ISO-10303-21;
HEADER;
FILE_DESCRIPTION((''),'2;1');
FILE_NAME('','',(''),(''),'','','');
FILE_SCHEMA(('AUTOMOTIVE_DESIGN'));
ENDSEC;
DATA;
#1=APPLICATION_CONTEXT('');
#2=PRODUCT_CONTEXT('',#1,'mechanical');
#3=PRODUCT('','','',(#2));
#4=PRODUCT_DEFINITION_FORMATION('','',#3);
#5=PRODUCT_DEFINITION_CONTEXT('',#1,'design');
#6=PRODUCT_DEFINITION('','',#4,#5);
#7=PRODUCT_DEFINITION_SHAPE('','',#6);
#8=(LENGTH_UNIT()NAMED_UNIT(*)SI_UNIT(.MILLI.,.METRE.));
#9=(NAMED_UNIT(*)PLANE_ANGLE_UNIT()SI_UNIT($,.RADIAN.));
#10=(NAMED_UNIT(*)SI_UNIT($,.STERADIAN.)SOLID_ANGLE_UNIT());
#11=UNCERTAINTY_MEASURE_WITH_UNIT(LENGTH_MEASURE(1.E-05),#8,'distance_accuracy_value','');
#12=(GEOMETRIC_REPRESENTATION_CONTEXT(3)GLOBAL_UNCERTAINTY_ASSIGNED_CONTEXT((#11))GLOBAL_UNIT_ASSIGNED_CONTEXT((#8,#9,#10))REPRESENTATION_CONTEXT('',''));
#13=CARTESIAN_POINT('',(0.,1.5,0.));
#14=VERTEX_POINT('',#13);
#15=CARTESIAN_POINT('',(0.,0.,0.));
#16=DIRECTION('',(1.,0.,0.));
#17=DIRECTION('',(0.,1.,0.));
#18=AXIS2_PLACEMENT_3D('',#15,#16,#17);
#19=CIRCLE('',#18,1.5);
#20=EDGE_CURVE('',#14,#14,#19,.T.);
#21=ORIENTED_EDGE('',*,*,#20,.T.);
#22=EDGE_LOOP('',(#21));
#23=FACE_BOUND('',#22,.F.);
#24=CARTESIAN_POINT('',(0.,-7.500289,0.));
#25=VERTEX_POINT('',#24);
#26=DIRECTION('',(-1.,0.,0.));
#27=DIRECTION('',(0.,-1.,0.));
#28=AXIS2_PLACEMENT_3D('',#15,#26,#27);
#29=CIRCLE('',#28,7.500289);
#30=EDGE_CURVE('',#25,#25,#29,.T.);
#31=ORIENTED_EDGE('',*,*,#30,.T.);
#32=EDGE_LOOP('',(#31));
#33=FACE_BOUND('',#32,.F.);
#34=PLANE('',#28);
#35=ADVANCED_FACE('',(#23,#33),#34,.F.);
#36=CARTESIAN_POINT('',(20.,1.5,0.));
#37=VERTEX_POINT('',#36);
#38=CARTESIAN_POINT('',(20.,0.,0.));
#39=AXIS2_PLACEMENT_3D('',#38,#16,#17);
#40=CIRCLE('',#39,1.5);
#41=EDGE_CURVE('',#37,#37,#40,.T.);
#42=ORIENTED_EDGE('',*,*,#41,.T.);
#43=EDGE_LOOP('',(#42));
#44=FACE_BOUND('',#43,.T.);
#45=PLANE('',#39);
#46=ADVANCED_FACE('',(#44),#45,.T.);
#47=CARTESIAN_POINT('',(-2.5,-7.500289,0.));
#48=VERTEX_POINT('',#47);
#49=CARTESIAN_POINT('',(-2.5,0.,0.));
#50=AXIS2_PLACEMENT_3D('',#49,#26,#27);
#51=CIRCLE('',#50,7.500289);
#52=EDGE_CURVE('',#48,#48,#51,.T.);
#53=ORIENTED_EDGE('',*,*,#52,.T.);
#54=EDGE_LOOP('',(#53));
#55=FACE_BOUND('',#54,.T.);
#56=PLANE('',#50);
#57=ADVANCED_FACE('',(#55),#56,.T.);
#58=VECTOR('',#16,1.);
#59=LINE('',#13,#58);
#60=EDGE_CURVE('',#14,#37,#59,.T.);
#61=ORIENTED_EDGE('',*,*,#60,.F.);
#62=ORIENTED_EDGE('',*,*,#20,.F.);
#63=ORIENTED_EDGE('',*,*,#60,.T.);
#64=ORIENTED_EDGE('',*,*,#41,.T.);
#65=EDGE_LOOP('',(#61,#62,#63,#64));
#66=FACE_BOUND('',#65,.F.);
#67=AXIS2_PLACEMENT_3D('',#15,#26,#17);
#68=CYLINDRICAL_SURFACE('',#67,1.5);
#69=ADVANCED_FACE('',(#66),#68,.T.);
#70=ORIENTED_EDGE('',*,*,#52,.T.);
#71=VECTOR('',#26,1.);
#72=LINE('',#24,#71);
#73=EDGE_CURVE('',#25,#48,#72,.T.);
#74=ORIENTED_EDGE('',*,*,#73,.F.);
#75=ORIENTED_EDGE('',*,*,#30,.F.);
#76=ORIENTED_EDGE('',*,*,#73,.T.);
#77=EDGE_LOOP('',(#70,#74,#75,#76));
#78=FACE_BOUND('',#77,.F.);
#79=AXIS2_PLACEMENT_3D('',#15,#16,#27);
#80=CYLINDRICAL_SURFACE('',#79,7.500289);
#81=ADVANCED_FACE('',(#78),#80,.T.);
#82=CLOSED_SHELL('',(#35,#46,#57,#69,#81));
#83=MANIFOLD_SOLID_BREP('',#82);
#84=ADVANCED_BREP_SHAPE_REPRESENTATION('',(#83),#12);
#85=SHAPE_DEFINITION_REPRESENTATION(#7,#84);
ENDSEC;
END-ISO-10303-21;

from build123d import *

# Parameters (mm, degrees)
F0_R     = 1.5
F1_DEPTH = 20
F2_R     = 7.500289
F3_DEPTH = 2.5


with BuildPart() as f1:
    # F0 (on Right) → F1 (new body)
    with BuildSketch(Plane.YZ):
        Circle(F0_R)
    extrude(amount=F1_DEPTH)

    # F2 (on face) → F3 (join)
    with BuildSketch(Plane(origin=(0, 0, 0), x_dir=(0, -1, 0), z_dir=(-1, 0, 0))):
        Circle(F2_R)
    extrude(amount=F3_DEPTH)


solid = f1.part
